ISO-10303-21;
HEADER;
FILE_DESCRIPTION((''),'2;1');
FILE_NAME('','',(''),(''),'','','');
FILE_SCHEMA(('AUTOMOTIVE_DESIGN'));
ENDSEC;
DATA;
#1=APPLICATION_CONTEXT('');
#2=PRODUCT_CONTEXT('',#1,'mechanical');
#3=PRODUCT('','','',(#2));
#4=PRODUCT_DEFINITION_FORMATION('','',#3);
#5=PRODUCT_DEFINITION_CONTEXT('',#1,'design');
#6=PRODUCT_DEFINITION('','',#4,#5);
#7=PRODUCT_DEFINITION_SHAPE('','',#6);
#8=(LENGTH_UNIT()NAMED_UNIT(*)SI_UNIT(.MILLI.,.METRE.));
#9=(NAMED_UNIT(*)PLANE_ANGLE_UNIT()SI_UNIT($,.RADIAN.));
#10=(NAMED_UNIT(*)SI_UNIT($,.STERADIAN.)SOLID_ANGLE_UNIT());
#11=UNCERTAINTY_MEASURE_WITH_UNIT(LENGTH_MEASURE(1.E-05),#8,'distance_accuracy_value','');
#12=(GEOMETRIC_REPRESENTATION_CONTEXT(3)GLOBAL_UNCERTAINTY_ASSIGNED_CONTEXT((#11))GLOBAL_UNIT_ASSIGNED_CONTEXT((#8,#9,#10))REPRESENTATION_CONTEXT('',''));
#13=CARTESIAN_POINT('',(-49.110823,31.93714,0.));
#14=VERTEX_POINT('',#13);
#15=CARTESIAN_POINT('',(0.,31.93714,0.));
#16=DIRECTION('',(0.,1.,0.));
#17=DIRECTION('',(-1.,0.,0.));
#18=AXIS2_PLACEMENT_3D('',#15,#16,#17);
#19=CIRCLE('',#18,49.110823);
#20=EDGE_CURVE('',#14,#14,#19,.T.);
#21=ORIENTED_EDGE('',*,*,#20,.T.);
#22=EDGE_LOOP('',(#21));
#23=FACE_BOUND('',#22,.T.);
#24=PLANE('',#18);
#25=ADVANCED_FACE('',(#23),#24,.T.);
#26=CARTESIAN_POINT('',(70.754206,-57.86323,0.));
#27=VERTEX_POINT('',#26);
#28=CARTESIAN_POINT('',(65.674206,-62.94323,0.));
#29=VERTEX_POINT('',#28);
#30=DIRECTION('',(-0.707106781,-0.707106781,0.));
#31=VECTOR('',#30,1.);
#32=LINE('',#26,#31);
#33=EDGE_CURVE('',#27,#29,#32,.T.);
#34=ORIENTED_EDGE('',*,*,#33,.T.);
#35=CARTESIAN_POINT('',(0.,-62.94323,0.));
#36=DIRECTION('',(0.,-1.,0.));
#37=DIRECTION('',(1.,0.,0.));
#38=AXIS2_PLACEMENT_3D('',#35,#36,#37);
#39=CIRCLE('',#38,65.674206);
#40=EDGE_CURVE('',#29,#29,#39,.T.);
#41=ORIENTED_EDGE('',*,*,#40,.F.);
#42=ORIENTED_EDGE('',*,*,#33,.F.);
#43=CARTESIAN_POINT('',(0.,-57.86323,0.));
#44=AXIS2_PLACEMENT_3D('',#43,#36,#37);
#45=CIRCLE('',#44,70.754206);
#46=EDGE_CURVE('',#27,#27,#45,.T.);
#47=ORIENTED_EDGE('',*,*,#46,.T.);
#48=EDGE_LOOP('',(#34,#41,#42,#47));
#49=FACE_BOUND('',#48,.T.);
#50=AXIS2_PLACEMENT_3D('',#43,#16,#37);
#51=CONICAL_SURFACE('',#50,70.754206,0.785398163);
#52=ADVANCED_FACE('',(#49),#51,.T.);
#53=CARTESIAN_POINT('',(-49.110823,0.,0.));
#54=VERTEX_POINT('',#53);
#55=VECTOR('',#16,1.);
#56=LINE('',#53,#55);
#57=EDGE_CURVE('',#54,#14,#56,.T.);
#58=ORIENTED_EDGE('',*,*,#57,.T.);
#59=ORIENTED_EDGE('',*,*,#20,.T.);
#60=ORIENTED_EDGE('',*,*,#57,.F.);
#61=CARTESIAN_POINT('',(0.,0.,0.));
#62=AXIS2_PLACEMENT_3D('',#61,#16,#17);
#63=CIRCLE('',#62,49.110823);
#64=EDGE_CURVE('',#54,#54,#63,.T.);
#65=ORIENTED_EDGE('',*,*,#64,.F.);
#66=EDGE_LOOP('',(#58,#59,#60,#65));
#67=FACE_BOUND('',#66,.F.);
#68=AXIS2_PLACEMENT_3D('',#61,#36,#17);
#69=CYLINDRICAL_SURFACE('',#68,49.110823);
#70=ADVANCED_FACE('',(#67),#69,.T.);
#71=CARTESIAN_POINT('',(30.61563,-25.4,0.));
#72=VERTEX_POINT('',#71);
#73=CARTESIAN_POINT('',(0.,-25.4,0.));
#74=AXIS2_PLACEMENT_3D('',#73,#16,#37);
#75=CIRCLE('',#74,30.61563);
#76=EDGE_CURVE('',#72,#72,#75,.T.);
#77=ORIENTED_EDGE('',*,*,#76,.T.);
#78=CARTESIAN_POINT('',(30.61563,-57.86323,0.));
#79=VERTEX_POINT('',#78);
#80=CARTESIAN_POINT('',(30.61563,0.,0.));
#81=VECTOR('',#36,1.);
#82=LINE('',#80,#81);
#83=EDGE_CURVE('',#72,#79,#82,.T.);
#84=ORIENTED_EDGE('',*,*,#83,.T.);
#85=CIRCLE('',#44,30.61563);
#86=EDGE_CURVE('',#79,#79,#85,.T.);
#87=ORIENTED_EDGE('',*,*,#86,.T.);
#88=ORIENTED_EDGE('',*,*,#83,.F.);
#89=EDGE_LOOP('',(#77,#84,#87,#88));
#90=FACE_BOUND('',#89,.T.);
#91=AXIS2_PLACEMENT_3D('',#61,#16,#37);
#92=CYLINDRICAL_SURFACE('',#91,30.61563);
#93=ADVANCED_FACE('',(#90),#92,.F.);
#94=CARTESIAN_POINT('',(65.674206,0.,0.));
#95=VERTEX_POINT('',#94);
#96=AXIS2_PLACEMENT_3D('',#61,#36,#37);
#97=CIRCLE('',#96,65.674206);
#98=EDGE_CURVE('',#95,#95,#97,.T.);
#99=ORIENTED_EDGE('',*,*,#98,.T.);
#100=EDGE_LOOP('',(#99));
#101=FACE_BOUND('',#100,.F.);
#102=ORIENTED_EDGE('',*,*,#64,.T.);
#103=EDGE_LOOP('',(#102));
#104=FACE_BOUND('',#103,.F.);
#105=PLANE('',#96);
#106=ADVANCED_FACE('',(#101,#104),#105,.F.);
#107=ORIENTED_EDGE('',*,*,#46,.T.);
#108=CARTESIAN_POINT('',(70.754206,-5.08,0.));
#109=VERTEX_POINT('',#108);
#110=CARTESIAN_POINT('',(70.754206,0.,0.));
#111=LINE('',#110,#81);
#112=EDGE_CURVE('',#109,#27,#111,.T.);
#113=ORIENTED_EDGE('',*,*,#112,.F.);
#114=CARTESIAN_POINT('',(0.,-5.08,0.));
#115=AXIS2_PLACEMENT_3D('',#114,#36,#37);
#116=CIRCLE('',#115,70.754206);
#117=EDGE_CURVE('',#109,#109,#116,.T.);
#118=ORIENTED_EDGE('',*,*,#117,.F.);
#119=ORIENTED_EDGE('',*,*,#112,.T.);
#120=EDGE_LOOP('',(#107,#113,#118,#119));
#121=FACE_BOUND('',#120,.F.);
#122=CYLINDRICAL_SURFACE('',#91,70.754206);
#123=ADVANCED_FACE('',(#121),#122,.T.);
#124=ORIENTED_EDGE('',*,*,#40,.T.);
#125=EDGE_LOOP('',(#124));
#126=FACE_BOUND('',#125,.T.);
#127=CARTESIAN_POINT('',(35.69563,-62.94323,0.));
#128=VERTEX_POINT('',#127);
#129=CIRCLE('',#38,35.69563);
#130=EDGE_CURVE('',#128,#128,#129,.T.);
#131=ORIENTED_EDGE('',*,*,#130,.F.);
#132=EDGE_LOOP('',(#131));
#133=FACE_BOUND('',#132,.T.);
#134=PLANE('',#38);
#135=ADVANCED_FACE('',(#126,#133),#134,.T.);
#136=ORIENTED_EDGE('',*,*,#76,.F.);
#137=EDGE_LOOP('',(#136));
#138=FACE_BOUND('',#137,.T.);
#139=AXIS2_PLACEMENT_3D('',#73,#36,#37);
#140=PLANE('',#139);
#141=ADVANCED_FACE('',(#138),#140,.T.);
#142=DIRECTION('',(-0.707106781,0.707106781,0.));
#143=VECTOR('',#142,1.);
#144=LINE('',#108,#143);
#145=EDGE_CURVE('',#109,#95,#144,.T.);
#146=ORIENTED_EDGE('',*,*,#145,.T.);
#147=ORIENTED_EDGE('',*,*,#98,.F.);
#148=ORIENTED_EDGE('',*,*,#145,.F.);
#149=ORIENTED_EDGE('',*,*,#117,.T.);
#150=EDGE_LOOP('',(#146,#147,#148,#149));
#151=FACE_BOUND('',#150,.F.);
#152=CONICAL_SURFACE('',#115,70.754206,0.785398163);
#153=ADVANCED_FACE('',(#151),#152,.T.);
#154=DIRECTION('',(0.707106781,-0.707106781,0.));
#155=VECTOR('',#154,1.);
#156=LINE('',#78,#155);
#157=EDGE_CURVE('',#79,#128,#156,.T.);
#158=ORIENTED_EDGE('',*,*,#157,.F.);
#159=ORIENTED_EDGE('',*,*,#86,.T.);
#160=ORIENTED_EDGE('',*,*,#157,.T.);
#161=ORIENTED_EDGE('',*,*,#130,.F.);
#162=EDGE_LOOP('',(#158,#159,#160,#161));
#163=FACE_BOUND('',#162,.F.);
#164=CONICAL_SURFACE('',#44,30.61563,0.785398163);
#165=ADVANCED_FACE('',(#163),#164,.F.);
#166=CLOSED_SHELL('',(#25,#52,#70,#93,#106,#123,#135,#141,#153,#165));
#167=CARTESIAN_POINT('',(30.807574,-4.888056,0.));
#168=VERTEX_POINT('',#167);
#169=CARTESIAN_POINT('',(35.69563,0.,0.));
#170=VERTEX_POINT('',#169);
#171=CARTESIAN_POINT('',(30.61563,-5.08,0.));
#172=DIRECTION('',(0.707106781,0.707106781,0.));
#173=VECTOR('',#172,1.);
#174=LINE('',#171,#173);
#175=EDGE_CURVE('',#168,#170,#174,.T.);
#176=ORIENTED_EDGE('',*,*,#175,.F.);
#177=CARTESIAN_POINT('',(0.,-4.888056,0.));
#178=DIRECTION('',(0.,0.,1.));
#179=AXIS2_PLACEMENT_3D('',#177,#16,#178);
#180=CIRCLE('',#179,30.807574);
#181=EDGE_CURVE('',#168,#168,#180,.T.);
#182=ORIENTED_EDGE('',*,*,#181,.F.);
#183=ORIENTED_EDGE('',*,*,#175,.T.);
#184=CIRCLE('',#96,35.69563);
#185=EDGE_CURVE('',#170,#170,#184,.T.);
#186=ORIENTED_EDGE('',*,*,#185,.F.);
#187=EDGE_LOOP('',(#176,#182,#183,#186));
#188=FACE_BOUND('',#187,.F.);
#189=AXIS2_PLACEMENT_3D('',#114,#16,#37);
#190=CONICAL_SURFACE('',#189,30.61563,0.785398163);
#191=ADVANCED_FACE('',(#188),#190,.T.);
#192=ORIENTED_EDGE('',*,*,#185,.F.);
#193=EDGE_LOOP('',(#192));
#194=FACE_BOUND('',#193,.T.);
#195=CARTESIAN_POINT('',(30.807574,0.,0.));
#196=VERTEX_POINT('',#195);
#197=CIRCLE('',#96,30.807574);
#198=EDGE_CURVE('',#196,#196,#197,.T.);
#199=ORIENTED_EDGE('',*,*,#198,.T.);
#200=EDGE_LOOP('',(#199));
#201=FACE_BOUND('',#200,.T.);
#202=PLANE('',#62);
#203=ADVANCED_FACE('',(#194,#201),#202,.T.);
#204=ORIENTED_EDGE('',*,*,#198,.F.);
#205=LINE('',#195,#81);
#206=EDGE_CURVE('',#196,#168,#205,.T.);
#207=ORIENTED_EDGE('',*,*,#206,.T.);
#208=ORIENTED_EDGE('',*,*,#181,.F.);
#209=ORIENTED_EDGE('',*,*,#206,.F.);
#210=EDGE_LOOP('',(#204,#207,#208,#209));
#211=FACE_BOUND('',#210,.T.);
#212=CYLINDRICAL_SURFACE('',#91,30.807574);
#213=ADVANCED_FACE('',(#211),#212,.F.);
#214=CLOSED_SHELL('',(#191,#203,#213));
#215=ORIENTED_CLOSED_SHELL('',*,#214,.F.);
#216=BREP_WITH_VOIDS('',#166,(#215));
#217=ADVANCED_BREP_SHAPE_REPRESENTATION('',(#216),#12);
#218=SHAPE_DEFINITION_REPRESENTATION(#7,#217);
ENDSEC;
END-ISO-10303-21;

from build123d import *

# Parameters (mm, degrees)
F0_R     = 70.754206
F0_R_2   = 30.61563
F1_DEPTH = 62.94323
F2_SIZE  = 5.08
F3_R     = 49.110823
F4_DEPTH = 31.93714
F5_R     = 30.807574
F6_DEPTH = 25.4


with BuildPart() as f1:
    # F0 (on Front) → F1 (new body)
    with BuildSketch(Plane.XZ):
        Circle(F0_R)
        Circle(F0_R_2, mode=Mode.SUBTRACT)
    extrude(amount=F1_DEPTH)

    # F2
    f2_edges = [f1.edges().sort_by_distance(p)[0] for p in [
        (-70.754206, -62.94323, 0),
        (-30.61563, -62.94323, 0),
        (-70.754206, 0, 0),
        (-30.61563, 0, 0),
    ]]
    chamfer(f2_edges, length=F2_SIZE)

    # F3 (on face) → F4 (join)
    with BuildSketch(Plane(origin=(0, 0, 0), x_dir=(-1, 0, 0), z_dir=(0, 1, 0))):
        Circle(F3_R)
    extrude(amount=F4_DEPTH)

    # F5 (on Front) → F6 (join)
    with BuildSketch(Plane.XZ):
        Circle(F5_R)
    extrude(amount=F6_DEPTH)


solid = f1.part
